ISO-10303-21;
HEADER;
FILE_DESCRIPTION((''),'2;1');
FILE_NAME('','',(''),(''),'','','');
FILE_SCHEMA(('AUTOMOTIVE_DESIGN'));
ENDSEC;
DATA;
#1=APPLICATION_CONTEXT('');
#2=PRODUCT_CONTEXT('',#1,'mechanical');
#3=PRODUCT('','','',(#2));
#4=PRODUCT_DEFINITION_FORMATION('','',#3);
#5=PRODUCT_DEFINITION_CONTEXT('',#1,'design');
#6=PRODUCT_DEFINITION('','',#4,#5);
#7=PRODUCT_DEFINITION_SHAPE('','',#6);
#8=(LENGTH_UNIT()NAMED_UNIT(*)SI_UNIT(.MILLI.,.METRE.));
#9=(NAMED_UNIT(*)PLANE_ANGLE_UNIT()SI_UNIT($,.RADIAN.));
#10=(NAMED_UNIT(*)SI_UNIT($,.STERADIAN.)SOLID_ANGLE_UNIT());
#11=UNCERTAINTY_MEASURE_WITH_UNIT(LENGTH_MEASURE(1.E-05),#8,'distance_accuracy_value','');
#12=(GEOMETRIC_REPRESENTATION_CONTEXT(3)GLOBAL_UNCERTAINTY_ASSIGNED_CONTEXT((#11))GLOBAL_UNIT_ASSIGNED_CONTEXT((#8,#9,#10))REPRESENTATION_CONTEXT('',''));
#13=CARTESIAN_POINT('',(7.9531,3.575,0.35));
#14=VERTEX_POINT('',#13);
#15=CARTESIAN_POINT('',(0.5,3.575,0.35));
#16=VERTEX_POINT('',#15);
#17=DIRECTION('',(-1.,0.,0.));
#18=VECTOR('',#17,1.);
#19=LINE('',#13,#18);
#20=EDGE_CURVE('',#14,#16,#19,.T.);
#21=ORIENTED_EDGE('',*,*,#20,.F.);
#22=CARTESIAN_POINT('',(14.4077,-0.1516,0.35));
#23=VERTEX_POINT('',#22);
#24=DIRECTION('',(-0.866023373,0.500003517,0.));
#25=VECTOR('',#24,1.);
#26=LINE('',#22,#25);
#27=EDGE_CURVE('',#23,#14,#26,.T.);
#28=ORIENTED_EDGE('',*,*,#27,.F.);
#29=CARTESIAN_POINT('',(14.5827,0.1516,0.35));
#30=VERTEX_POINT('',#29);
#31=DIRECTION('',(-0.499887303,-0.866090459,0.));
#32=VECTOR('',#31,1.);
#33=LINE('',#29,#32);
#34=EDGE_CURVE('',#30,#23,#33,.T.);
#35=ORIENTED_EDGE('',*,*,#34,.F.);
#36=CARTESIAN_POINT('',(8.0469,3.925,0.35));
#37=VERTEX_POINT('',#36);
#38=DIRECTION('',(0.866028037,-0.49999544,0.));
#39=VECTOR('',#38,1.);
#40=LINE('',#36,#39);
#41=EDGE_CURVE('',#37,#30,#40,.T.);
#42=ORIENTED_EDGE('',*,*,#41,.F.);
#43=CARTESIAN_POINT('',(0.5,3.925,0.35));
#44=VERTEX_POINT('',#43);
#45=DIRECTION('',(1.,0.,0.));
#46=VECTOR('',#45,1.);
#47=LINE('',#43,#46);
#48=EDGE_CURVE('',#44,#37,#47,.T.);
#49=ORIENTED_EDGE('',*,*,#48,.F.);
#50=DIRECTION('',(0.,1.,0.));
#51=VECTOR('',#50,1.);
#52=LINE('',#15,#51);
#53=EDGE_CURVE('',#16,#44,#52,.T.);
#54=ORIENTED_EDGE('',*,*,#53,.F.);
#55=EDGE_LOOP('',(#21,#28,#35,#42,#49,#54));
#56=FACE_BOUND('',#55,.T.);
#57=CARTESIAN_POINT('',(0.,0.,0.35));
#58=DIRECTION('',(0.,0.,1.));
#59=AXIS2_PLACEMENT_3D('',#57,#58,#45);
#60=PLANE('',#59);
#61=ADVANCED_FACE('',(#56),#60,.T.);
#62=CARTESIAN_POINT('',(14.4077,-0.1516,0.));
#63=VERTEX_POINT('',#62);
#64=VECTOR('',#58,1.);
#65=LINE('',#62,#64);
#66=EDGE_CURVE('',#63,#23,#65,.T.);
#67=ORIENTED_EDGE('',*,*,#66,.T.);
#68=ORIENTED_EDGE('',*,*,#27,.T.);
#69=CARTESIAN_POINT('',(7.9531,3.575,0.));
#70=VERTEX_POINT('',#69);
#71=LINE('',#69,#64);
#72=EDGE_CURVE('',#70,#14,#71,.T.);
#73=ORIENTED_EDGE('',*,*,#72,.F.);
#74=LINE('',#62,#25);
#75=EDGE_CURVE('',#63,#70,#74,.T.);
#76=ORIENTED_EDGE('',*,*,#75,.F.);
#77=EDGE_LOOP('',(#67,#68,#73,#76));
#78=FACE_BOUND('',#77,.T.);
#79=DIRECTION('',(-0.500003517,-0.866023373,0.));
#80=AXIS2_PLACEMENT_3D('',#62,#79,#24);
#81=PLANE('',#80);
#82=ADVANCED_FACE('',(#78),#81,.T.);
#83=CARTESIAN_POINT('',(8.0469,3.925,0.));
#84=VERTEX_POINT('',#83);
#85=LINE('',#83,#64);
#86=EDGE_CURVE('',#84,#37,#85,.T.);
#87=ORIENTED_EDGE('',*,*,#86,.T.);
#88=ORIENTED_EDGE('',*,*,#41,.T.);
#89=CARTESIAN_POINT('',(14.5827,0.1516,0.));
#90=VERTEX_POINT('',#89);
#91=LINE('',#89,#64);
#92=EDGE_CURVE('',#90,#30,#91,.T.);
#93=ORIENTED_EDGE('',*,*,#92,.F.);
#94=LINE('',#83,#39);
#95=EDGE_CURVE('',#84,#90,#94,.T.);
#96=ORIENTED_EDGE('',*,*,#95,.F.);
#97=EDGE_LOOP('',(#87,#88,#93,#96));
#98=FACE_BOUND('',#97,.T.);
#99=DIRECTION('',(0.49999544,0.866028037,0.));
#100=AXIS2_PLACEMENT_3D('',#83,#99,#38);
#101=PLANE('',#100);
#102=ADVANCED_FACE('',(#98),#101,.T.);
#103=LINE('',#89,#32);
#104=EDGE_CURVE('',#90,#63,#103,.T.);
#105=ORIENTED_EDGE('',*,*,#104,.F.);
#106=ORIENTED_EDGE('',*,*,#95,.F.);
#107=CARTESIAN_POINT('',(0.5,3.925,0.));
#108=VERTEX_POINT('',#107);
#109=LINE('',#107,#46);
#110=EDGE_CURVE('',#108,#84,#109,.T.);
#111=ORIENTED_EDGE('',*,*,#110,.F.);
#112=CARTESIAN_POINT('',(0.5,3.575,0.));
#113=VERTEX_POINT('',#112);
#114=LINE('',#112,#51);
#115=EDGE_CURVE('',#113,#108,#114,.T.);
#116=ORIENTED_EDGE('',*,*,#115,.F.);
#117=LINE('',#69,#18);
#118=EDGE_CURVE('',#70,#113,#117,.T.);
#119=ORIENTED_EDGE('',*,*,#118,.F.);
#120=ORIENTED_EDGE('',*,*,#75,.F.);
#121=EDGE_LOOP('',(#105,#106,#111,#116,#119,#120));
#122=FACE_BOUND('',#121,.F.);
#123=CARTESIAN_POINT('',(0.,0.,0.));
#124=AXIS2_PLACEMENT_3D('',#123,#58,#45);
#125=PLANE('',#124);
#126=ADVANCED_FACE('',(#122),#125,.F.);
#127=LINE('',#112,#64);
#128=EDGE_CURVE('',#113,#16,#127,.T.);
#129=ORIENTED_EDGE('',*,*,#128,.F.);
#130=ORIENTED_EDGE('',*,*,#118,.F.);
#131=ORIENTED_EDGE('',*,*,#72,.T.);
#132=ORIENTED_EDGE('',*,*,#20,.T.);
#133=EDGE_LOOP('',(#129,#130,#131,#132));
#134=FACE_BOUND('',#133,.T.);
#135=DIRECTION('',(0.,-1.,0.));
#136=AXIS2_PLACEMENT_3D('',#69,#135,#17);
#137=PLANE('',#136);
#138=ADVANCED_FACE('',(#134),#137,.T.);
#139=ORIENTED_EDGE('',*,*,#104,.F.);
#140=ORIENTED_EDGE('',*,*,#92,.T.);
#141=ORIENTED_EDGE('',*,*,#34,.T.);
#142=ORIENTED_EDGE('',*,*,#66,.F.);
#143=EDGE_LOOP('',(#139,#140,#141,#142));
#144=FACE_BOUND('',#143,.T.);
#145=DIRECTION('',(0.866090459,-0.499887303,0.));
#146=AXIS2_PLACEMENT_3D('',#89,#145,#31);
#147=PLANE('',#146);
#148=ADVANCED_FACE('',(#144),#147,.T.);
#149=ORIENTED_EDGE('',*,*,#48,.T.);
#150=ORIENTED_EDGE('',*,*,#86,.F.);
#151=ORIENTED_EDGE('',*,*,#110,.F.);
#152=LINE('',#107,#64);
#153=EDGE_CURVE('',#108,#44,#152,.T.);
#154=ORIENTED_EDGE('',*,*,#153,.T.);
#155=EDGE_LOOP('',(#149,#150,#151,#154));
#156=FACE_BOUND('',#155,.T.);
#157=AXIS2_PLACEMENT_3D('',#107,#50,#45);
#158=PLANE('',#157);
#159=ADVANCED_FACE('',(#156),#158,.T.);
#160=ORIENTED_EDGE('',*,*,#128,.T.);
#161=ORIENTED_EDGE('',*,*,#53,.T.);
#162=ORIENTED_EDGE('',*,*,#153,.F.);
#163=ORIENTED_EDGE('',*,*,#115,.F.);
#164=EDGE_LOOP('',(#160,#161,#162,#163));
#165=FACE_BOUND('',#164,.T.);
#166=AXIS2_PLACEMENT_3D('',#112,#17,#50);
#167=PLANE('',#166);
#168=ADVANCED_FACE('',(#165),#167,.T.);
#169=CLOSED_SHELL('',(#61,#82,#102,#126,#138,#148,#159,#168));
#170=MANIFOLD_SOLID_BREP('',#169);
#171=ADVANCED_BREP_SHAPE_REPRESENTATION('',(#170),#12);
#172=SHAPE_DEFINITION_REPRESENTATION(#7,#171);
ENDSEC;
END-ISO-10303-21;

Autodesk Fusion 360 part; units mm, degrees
sketch "Sketch1" plane through (0, 0, 0) normal (0, 0, 1) x (1, 0, 0)
  line L0 (0.5, 3.925) -> (8.0469, 3.925)
  line L1 (7.9531, 3.575) -> (0.5, 3.575)
  line L2 (0.5, 3.575) -> (0.5, 3.925)
  line L3 (0.5, 3.75) -> (8, 3.75) construction
  line L4 (8, 3.75) -> (14.4952, 0) construction
  line L5 (8.0469, 3.925) -> (14.5827, 0.1516)
  line L6 (14.5827, 0.1516) -> (14.4077, -0.1516)
  line L7 (14.4077, -0.1516) -> (7.9531, 3.575)
  dimension "d1" = 150
  dimension "d2" = 0.35
  dimension "d3" = 0.35
  dimension "d14" = 7.5
  dimension "d15" = 7.5
  dimension "d16" = 3.75
  dimension "d20" = 0.5
extrude "Extrude1" add sketch "Sketch1" along normal blind 0.35
equation "d1 = angle"
equation "d2 = channelwidth"
equation "d3 = d2"
equation "angle = 150 deg"
equation "channelwidth = 0.35 mm"
equation "length = 7.5 mm"
equation "length2 = 7.5 mm"
equation "depth = 0.35 mm"
equation "d11 = depth"
equation "d14 = length2"
equation "d15 = length"
equation "d16 = yoffset"
equation "yoffset = length2 * cos(angle - 90 deg)"
equation "xoffset = 0.5 mm"
equation "d20 = xoffset"
